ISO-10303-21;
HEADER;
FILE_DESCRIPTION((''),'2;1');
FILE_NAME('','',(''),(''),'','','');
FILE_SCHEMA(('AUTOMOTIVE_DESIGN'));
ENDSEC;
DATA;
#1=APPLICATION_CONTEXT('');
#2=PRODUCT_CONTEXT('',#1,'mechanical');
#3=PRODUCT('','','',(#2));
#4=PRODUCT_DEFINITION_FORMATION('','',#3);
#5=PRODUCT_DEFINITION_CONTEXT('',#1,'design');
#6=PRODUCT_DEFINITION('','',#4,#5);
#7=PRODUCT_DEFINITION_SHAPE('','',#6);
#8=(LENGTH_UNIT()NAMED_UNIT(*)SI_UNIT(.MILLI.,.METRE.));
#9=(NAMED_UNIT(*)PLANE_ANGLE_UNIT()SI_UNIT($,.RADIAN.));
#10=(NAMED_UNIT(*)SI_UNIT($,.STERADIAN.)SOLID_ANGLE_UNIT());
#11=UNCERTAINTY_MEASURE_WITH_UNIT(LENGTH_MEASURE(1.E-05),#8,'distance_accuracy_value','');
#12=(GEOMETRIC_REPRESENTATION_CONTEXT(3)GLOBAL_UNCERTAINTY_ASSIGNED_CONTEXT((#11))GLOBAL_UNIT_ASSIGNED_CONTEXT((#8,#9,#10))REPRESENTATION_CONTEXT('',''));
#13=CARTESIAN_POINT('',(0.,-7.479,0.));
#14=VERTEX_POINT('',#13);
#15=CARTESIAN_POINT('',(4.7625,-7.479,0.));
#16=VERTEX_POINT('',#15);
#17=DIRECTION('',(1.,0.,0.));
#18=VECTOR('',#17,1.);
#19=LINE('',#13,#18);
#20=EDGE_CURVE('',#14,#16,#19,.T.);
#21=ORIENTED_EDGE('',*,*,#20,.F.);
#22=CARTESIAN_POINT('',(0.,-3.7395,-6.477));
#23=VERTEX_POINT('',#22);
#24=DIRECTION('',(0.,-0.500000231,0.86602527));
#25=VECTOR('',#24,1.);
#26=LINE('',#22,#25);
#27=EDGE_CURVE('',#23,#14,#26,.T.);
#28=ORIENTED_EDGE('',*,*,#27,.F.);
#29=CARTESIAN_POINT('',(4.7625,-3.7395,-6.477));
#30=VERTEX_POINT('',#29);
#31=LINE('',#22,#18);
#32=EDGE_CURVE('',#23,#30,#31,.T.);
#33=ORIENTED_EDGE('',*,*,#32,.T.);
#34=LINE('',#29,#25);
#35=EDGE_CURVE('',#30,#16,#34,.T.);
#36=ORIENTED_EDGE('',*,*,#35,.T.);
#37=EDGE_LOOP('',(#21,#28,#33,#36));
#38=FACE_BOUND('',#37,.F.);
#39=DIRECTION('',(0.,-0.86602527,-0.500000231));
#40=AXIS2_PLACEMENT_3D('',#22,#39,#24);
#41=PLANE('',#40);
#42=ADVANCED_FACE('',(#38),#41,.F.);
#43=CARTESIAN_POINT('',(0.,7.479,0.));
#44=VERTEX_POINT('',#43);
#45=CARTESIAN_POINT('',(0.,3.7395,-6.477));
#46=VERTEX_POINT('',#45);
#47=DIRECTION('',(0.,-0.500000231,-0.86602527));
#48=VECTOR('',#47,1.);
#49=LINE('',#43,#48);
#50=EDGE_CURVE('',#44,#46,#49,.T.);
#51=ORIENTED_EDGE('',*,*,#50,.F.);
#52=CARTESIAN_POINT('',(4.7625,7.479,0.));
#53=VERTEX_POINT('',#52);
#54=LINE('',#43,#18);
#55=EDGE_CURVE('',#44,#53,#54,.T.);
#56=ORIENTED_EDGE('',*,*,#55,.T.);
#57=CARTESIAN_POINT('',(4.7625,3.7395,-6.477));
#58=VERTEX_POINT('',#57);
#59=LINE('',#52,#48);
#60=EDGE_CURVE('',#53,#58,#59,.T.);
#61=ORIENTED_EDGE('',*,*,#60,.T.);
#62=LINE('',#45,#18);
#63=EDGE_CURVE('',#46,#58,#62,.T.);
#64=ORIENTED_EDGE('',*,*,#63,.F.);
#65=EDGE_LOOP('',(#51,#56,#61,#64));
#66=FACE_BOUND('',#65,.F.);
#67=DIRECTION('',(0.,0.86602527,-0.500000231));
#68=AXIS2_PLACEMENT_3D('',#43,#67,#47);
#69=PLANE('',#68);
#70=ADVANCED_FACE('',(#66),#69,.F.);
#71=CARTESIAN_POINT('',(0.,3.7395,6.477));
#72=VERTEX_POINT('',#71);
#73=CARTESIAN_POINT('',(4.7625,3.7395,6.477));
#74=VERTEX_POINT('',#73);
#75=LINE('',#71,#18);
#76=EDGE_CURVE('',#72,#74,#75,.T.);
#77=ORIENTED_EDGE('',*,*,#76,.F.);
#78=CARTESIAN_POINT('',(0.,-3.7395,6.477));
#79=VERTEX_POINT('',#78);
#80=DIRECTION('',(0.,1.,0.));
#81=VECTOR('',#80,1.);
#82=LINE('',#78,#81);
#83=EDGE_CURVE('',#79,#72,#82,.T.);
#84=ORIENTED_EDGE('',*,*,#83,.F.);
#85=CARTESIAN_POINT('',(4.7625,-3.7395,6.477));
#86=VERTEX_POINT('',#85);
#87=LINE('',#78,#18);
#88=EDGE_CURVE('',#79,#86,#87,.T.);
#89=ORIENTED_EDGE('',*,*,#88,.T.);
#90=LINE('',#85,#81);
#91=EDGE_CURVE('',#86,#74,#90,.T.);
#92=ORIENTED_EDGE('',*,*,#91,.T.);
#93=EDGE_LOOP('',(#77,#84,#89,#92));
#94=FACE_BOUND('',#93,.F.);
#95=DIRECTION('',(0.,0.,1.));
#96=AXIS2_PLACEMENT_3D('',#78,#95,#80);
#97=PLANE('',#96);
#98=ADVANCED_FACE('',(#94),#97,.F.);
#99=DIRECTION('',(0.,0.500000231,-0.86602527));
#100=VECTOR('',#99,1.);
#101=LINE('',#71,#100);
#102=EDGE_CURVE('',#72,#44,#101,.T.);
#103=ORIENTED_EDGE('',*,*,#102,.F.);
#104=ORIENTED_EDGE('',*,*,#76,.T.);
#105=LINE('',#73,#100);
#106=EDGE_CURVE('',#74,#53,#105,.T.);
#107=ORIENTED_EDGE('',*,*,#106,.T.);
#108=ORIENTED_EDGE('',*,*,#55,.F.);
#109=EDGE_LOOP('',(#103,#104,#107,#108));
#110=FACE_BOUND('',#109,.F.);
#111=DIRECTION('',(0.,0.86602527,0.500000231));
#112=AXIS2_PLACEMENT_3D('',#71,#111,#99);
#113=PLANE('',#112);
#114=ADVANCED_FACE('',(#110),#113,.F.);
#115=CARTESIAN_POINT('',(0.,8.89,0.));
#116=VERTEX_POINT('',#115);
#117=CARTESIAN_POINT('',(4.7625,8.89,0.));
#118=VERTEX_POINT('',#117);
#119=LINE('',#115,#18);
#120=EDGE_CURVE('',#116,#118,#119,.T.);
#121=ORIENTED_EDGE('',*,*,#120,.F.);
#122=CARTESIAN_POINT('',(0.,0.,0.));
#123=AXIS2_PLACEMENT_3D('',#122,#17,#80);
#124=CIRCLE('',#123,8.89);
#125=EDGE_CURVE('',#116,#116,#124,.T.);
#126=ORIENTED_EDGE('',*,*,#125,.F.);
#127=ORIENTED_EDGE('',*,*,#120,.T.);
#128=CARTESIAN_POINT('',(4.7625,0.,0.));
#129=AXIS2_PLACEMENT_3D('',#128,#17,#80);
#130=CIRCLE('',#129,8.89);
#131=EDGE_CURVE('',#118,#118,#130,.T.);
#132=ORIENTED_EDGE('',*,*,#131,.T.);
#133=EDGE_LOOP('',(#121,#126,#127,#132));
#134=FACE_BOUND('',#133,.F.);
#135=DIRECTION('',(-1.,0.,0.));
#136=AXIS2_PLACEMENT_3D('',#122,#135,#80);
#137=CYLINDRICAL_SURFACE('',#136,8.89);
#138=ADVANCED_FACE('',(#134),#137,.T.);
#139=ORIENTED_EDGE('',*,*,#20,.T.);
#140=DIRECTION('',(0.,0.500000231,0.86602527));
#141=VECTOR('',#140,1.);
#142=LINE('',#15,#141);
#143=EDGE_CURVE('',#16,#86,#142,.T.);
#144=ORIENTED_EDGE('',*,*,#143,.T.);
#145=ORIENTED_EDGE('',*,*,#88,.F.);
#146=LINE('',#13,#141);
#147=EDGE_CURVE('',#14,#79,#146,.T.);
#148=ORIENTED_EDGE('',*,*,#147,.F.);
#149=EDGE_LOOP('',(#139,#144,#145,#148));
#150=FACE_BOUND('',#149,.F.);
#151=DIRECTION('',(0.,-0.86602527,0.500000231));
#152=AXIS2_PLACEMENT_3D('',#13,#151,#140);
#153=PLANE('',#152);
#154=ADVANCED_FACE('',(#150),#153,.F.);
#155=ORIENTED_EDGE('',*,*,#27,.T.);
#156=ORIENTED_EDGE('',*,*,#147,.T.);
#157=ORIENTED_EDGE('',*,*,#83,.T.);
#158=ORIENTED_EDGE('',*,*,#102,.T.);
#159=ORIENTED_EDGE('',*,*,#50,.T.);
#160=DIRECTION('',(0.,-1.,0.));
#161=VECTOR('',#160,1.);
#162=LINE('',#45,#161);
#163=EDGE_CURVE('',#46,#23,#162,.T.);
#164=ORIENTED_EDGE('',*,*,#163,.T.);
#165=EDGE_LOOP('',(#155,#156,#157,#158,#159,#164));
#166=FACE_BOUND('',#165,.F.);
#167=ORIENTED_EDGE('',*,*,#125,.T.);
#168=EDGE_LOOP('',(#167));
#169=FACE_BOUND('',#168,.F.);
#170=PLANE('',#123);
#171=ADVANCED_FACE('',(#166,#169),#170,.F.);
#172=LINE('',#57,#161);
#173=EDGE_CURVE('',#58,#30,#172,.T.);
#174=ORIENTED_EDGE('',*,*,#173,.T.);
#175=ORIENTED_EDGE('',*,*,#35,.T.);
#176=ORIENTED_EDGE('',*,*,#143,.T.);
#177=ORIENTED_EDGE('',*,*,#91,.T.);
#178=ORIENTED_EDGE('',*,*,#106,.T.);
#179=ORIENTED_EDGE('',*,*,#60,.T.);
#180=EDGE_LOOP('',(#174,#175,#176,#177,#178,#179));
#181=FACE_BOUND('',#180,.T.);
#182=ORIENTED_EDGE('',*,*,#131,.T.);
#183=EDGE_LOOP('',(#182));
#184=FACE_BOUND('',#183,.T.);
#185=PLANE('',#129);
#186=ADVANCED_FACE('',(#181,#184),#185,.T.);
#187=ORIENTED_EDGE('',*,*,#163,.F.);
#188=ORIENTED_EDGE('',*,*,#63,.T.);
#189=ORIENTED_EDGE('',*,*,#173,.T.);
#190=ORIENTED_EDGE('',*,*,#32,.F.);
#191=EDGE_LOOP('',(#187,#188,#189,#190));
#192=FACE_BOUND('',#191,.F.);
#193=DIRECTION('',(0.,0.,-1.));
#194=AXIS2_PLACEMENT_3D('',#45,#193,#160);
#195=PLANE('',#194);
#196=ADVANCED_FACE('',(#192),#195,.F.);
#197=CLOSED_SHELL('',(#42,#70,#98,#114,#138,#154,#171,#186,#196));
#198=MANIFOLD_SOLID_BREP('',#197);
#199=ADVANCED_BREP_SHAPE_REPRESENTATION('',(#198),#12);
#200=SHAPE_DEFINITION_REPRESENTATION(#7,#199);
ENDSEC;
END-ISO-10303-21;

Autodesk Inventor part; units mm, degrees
ref_plane "YZ Plane" through (0, 0, 0) normal (1, 0, 0) x (0, 1, 0)
ref_plane "XZ Plane" through (0, 0, 0) normal (0, 1, 0) x (-1, 0, 0)
ref_plane "XY Plane" through (0, 0, 0) normal (0, 0, 1) x (1, 0, 0)
sketch "Sketch1" plane through (0, 0, 0) normal (1, 0, 0) x (0, 1, 0)
  line L0 (-3.7395, 6.477) -> (3.7395, 6.477)
  line L1 (3.7395, 6.477) -> (7.479, 0)
  line L2 (7.479, 0) -> (3.7395, -6.477)
  line L3 (3.7395, -6.477) -> (-3.7395, -6.477)
  line L4 (-3.7395, -6.477) -> (-7.479, 0)
  line L5 (-7.479, 0) -> (-3.7395, 6.477)
  circle A0 centre (0, 0) radius 8.89
  dimension "d0" = 12.954
  dimension "d1" = 17.78
extrude "Extrusion1" add sketch "Sketch1" along normal blind 4.7625
properties part number "3DPRINT,BACKROLLERS,PULLEY,SPACER" material "ABS Plastic"
